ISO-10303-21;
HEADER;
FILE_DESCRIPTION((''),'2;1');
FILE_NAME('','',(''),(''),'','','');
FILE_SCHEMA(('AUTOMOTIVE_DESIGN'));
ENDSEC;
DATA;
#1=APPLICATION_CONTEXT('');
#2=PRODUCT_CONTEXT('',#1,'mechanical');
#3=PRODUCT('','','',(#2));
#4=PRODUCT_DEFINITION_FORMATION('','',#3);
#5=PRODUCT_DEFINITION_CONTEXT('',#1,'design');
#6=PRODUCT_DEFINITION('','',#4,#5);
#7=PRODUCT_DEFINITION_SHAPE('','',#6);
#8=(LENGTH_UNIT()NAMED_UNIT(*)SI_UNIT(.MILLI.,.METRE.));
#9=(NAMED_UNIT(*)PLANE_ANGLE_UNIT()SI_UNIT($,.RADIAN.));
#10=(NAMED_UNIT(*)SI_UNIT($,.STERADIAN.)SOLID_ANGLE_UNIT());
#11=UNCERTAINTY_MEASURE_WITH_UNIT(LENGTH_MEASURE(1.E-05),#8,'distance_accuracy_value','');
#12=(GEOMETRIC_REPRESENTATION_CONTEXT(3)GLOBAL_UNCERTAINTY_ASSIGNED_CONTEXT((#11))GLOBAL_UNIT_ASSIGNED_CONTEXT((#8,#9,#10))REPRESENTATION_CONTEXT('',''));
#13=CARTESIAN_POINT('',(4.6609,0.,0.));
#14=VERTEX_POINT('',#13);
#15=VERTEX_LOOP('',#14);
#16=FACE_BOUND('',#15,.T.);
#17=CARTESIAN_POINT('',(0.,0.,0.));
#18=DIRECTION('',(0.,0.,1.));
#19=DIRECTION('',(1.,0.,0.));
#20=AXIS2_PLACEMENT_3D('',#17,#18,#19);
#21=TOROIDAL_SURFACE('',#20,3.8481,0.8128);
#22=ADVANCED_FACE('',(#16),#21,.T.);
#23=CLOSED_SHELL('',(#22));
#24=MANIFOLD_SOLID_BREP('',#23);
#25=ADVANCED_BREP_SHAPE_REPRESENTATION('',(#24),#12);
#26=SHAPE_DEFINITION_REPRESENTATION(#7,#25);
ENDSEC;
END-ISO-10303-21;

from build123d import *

# Parameters (mm, degrees)
SKETCH1_R = 0.8128


with BuildPart() as part:
    # Sketch1 → Revolve1 (revolve)
    with BuildSketch(Plane(origin=(0, 0, 0), x_dir=(0, -1, 0), z_dir=(1, 0, 0))):
        with Locations((3.8481, 0)):
            Circle(SKETCH1_R)
    revolve(axis=Axis((0, 0, 0.8128), (0, 0, -1)))


solid = part.part
